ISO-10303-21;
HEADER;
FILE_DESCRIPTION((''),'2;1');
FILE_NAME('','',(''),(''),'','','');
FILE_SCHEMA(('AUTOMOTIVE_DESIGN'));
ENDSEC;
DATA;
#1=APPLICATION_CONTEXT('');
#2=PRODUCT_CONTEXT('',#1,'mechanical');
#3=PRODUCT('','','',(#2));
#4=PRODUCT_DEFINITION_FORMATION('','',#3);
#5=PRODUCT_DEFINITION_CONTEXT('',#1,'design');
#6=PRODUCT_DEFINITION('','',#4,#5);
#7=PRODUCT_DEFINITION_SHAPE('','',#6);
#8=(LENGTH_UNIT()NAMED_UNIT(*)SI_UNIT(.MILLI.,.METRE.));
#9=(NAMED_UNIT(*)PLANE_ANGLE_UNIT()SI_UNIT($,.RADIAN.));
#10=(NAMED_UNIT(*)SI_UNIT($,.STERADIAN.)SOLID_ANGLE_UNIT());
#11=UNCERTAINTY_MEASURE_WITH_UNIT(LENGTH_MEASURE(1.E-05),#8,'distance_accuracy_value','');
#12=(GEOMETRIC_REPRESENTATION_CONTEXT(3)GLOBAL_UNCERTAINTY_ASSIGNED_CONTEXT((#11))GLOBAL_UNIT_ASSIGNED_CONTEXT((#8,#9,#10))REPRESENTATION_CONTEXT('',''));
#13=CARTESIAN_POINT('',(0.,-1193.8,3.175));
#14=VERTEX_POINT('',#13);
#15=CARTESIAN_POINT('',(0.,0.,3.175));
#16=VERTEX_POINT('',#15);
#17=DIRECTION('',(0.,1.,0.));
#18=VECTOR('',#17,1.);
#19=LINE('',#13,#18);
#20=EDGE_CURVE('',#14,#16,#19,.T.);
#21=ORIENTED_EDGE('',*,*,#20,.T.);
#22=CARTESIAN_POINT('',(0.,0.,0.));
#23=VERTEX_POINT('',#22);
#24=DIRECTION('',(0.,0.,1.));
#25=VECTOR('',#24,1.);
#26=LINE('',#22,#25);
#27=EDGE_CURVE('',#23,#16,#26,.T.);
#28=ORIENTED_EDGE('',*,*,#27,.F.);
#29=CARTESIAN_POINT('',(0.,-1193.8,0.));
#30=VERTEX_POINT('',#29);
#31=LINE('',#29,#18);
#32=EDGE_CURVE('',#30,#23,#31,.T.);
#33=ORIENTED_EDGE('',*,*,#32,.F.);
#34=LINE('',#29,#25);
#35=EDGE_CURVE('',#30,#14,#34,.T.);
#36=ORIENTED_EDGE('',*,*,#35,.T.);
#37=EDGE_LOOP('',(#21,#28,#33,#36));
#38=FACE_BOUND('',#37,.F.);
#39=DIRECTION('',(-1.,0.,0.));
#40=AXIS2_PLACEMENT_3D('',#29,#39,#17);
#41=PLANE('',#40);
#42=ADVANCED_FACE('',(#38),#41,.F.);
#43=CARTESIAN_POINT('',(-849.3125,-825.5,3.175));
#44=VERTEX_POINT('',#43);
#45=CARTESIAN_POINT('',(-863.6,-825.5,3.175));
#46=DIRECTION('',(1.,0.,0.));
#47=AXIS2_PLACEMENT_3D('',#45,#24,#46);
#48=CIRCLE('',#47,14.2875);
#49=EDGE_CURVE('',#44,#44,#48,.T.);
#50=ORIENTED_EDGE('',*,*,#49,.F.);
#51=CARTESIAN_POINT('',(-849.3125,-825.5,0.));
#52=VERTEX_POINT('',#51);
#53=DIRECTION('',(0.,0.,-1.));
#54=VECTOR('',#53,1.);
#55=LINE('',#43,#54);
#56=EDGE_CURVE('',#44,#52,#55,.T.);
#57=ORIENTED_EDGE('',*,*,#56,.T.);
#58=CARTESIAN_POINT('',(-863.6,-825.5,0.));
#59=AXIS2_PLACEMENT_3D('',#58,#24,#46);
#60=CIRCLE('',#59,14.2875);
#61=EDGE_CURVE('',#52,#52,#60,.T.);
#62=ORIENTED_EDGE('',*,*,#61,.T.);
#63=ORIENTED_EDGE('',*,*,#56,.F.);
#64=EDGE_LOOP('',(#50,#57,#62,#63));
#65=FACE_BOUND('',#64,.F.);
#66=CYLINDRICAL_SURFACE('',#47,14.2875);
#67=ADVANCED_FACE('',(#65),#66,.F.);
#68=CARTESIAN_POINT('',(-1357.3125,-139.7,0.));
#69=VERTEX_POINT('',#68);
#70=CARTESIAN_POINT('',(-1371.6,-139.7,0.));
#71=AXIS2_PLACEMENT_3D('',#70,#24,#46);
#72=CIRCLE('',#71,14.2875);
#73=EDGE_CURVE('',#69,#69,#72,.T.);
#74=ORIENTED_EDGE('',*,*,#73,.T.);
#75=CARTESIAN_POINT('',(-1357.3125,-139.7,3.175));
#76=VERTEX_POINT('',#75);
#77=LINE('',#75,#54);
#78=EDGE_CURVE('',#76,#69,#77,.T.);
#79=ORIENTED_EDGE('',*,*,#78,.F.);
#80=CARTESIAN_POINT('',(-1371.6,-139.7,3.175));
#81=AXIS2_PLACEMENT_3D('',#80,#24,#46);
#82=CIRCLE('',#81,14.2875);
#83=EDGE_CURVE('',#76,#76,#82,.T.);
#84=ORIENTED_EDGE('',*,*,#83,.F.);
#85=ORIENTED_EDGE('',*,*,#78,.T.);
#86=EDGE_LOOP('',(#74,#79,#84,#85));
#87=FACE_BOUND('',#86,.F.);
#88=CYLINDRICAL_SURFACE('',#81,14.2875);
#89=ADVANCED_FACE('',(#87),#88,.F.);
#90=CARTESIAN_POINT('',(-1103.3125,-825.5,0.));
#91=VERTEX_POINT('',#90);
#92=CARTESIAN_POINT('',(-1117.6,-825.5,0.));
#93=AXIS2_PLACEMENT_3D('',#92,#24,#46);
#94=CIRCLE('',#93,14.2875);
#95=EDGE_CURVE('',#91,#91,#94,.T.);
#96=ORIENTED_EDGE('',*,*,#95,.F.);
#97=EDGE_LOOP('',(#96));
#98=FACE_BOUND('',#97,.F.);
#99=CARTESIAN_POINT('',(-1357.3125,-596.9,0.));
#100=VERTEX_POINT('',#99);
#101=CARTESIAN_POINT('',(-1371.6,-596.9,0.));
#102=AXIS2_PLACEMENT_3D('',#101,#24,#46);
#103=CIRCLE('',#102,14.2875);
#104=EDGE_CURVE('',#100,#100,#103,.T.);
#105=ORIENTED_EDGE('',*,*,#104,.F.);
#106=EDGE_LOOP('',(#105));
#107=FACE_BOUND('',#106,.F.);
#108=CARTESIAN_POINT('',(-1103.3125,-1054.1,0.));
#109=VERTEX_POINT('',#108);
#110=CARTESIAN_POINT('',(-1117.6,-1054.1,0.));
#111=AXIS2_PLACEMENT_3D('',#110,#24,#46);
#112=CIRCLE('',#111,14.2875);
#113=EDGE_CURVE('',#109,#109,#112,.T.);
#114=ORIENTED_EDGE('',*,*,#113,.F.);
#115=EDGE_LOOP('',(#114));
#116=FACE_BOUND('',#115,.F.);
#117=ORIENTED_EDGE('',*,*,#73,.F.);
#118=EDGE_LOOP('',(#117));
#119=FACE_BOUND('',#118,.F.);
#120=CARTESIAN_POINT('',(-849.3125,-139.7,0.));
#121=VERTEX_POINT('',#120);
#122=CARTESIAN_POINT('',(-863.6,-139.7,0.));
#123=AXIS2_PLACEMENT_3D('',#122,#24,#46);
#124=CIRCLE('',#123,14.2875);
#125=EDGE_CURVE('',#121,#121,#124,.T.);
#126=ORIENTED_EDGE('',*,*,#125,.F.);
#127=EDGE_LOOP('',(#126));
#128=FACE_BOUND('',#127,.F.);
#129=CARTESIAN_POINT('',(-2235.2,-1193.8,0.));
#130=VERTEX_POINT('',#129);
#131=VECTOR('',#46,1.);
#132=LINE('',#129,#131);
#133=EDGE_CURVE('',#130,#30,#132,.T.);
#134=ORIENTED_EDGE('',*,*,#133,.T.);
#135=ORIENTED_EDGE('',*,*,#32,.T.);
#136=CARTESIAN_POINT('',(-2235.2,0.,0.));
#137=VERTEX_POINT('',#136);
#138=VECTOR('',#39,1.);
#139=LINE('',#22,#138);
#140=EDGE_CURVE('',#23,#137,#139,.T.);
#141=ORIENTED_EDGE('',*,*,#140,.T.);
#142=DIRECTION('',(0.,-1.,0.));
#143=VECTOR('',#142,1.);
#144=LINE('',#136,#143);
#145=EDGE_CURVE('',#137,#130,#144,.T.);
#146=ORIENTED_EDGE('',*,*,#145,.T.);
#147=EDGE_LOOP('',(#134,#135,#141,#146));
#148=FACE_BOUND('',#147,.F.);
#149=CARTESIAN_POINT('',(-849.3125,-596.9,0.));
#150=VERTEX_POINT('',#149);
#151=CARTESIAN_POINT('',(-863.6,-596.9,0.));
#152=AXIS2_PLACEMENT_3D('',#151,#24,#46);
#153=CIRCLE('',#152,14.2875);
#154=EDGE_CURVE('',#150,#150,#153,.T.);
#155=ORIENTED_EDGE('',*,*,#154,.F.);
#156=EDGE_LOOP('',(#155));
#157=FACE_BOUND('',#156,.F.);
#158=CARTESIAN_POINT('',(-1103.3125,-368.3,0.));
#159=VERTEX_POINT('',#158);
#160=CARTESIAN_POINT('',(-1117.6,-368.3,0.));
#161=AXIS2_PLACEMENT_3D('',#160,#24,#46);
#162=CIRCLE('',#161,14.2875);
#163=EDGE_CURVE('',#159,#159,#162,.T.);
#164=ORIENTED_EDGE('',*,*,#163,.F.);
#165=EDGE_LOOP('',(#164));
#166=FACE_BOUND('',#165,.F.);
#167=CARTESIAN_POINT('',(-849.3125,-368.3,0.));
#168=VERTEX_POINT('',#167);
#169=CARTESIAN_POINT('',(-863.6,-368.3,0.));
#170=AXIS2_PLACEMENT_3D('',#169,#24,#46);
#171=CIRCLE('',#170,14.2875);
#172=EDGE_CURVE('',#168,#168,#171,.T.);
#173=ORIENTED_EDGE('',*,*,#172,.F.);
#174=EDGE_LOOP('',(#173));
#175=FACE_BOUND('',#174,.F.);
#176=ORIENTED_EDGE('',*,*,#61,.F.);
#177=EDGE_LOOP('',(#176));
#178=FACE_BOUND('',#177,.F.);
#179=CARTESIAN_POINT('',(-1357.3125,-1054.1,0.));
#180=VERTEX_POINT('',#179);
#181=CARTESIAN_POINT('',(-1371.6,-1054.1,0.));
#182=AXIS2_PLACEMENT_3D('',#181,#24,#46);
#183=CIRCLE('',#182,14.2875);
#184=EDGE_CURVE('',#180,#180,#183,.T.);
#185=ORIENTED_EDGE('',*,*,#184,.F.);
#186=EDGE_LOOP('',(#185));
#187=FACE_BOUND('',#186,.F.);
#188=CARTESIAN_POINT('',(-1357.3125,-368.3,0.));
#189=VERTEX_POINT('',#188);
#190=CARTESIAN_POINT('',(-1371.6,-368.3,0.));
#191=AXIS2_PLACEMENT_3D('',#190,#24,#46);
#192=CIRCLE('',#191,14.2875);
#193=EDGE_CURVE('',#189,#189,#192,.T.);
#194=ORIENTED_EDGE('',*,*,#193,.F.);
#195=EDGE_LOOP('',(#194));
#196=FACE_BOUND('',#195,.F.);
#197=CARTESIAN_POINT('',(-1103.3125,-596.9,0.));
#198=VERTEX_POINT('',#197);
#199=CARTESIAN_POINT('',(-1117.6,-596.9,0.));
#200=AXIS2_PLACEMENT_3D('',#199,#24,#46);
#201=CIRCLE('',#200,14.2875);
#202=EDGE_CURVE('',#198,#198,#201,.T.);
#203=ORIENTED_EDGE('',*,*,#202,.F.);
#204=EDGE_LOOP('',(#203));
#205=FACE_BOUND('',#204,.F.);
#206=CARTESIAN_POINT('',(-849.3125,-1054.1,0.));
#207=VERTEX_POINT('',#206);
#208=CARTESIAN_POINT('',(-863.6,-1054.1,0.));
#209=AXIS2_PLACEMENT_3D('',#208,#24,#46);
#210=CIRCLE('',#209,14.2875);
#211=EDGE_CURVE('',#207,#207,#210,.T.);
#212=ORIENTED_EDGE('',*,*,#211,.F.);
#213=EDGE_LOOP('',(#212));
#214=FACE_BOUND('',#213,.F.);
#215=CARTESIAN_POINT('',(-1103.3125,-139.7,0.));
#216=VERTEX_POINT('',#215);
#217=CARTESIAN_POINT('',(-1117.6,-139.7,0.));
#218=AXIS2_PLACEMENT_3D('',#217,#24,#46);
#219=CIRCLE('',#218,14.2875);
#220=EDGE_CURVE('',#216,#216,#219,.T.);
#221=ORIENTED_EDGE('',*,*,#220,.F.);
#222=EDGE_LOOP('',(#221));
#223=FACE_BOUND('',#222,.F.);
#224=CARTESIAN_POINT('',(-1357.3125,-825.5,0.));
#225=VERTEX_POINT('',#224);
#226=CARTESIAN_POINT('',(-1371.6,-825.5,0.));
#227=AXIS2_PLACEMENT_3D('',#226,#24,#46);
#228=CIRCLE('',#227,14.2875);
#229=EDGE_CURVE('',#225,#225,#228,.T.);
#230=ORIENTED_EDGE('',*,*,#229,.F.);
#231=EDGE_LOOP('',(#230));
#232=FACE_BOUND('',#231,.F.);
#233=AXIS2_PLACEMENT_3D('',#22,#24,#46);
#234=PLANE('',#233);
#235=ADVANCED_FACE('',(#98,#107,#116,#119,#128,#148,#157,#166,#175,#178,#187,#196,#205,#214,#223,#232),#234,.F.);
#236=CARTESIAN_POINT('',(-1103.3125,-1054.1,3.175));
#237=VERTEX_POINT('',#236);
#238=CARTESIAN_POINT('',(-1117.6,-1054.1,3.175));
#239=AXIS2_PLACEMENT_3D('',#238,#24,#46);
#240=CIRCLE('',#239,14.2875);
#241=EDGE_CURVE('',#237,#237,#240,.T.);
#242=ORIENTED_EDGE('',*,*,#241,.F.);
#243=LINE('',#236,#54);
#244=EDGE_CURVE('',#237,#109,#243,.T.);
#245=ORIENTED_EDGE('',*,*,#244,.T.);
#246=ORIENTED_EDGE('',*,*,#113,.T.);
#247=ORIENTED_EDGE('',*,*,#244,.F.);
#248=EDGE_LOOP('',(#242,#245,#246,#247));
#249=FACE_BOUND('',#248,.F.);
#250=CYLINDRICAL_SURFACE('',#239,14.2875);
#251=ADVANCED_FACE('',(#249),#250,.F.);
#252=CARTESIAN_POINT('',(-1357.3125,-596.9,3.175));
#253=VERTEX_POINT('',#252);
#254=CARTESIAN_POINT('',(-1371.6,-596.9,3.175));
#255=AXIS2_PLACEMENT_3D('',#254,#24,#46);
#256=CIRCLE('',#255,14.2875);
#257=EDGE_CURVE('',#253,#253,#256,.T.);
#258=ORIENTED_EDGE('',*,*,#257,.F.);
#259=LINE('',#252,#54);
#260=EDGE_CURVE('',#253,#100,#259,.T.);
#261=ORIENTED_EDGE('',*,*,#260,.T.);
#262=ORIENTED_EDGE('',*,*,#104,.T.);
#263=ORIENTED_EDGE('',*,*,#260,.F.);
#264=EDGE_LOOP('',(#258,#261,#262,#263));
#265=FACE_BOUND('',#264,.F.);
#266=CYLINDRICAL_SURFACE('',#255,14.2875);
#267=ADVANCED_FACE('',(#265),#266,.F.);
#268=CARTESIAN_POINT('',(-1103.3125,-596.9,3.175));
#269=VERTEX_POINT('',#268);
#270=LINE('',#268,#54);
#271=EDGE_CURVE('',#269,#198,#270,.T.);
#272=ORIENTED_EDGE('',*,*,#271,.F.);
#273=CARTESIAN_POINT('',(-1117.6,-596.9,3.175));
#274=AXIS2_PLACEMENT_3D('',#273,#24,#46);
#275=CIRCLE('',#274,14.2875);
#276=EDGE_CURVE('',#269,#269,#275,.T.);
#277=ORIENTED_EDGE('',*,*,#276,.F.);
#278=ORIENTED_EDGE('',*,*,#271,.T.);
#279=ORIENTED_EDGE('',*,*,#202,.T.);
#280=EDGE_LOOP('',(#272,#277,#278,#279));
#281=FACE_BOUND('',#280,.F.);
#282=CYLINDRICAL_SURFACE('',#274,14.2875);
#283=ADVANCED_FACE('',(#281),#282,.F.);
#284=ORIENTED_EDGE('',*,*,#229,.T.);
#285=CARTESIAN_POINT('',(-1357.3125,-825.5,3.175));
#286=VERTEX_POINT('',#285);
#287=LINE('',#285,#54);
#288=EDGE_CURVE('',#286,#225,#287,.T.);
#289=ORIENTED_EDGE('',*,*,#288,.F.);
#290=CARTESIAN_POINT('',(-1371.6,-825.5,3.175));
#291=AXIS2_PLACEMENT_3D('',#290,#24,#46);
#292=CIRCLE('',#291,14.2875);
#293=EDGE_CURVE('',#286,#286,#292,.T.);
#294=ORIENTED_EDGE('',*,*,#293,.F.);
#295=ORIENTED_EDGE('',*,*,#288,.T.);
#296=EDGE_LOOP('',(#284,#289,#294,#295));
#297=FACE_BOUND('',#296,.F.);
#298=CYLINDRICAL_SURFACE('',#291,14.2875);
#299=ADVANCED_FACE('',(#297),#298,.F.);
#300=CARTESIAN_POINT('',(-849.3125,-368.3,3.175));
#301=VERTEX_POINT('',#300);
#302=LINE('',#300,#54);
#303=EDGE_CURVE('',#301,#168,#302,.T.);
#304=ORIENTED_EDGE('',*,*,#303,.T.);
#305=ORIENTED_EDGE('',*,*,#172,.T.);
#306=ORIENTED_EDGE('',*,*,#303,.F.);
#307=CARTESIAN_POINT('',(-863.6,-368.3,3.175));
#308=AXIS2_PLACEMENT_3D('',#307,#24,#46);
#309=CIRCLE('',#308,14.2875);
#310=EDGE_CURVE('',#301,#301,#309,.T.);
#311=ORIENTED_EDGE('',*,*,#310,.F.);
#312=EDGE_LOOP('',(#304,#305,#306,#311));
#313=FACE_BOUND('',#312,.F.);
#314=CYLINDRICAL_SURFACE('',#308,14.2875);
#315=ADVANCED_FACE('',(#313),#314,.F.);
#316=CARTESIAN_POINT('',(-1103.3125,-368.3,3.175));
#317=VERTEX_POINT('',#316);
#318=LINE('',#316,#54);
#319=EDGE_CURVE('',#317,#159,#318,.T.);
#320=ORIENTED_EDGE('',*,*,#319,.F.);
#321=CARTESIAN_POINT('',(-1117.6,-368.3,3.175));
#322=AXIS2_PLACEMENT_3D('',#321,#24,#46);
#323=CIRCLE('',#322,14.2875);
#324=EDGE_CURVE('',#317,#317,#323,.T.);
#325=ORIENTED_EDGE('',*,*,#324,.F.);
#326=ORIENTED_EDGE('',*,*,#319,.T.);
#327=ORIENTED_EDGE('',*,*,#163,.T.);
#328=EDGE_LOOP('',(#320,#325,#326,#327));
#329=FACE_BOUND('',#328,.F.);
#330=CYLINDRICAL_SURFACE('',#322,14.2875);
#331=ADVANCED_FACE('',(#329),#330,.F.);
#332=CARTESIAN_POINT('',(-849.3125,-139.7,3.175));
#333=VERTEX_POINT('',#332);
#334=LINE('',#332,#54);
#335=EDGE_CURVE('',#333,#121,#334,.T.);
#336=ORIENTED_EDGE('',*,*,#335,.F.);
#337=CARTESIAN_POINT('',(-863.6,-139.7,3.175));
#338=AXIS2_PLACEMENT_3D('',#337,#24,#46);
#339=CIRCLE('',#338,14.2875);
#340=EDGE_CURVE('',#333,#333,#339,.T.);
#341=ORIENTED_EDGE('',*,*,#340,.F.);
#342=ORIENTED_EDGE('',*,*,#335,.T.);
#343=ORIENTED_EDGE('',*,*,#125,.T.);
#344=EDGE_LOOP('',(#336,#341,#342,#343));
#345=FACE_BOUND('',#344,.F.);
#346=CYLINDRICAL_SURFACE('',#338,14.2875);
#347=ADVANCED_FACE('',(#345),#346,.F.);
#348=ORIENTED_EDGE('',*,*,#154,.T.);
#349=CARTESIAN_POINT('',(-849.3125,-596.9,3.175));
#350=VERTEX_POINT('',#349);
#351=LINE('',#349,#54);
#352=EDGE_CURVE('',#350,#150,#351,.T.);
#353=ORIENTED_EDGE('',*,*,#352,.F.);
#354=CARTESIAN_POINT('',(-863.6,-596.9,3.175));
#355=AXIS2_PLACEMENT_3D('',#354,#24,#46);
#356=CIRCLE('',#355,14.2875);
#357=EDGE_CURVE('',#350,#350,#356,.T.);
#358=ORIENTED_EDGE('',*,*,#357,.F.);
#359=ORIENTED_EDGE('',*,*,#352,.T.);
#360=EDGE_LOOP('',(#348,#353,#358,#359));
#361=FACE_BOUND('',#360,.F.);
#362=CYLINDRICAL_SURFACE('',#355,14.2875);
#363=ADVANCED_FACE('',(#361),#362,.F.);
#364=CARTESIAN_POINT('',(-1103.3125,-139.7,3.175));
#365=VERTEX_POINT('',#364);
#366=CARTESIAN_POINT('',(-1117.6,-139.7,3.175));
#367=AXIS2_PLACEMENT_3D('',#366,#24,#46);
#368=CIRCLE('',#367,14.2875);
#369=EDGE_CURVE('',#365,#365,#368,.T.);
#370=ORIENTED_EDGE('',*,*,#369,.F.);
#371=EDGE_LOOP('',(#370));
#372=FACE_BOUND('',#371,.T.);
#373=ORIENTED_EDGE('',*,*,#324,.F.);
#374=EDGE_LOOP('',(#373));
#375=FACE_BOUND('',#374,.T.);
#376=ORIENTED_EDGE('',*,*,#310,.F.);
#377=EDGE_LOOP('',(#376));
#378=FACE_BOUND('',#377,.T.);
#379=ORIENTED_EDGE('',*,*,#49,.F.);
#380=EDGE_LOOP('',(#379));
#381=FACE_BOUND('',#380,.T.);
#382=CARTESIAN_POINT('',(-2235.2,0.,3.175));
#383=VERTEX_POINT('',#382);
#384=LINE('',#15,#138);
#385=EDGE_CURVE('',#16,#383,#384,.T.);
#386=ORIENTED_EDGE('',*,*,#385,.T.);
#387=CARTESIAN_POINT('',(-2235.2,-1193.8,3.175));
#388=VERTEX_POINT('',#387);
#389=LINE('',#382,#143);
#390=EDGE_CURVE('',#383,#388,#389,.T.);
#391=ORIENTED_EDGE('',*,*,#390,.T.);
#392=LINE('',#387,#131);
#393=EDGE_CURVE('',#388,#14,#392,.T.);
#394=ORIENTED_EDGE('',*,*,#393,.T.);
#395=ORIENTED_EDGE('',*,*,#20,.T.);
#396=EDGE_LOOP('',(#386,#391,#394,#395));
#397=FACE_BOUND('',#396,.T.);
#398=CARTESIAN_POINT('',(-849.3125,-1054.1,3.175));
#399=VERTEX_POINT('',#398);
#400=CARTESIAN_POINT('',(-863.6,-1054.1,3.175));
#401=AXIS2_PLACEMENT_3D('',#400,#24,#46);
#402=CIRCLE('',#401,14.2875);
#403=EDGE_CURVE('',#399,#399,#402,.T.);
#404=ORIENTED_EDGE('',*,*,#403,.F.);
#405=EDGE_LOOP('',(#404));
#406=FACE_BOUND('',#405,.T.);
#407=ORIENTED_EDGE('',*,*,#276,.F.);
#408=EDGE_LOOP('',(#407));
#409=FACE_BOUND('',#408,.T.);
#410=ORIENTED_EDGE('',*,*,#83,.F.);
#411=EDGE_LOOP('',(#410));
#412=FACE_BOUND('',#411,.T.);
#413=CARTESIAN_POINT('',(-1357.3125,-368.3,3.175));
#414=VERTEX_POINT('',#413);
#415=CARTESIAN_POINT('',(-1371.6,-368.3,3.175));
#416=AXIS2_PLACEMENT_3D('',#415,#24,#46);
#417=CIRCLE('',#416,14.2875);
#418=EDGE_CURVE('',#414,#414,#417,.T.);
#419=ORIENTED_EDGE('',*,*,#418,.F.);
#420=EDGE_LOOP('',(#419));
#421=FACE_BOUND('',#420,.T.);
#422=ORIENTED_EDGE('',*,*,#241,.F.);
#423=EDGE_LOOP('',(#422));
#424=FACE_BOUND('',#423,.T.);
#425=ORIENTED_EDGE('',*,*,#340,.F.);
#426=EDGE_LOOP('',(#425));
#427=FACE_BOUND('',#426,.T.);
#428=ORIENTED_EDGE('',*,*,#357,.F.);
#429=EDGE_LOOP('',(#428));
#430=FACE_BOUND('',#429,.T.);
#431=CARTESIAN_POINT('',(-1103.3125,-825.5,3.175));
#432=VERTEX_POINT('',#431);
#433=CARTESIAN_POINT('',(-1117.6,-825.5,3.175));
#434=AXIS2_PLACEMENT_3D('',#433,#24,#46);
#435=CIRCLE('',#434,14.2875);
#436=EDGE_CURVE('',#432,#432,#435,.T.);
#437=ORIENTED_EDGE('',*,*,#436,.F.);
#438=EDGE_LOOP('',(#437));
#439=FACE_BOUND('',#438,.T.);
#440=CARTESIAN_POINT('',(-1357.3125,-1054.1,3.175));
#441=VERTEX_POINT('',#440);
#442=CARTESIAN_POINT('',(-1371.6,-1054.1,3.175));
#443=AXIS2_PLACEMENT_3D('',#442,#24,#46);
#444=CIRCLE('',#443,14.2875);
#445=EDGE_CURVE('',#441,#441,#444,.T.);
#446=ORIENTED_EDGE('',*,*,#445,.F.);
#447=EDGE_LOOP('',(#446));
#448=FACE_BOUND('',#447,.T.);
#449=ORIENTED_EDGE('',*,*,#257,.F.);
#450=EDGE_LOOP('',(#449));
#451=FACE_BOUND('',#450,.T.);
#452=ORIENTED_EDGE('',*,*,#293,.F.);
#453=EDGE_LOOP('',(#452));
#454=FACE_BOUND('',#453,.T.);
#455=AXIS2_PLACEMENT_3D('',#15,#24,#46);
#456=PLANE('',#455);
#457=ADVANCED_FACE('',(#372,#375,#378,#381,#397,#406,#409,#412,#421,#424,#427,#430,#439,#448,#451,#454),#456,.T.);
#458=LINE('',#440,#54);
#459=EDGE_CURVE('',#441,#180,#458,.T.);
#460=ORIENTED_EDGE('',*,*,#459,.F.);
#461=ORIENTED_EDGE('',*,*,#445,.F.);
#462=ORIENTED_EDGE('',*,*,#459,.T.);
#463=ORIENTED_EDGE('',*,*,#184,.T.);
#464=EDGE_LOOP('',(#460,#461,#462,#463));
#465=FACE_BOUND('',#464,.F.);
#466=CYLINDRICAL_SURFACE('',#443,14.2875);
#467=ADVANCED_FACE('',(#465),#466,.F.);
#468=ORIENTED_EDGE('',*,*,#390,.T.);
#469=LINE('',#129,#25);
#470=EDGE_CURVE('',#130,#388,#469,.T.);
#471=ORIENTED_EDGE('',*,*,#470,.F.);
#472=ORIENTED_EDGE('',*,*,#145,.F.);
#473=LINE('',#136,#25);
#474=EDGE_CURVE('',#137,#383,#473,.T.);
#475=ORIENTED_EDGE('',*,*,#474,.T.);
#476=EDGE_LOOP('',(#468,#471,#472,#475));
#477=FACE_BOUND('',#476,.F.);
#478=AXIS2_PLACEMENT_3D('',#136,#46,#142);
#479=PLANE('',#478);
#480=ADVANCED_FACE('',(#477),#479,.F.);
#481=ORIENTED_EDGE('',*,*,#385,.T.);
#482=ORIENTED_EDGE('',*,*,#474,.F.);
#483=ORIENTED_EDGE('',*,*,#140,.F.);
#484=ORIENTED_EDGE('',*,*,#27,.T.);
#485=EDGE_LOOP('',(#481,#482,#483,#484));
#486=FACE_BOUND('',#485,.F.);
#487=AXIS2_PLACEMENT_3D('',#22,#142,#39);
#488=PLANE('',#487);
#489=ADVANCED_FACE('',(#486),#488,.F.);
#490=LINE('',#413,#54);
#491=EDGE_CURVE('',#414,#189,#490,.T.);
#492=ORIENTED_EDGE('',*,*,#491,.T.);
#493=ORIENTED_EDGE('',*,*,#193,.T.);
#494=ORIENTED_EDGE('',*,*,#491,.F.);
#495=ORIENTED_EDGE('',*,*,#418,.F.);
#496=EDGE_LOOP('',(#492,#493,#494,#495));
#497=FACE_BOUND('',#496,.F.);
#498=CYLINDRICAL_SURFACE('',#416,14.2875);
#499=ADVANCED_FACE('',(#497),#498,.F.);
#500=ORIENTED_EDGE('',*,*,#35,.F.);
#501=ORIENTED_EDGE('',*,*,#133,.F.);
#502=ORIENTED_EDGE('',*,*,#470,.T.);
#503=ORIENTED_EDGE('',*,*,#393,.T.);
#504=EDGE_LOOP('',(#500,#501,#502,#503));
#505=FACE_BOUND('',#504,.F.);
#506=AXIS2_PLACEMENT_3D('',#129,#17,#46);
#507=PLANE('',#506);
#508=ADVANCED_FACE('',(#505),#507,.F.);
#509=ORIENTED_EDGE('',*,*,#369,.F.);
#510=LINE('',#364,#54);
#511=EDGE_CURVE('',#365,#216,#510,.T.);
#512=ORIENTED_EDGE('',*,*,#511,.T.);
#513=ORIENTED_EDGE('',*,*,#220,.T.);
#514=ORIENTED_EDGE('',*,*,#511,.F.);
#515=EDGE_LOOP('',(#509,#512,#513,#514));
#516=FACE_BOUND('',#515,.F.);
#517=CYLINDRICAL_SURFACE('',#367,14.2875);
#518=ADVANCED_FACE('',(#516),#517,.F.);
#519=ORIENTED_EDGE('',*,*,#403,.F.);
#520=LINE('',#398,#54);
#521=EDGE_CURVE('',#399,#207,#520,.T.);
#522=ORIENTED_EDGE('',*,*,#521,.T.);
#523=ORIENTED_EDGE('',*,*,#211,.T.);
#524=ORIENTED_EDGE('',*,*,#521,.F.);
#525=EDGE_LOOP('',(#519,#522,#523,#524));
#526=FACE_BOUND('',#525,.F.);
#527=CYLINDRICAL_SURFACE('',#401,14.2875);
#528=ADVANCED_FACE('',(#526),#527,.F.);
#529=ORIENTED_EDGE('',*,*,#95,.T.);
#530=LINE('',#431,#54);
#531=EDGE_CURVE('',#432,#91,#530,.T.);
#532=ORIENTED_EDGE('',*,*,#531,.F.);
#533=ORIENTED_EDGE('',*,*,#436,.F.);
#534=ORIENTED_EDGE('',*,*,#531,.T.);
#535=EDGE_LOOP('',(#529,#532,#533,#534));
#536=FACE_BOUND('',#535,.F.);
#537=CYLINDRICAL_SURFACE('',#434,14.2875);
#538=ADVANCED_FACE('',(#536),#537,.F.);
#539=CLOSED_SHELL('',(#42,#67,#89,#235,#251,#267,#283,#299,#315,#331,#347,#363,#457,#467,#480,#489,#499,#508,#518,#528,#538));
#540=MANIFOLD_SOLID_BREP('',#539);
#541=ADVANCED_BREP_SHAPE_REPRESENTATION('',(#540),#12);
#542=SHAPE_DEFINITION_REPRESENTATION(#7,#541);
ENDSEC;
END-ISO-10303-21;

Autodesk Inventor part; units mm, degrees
ref_plane "YZ Plane" through (0, 0, 0) normal (1, 0, 0) x (0, 1, 0)
ref_plane "XZ Plane" through (0, 0, 0) normal (0, 1, 0) x (-1, 0, 0)
ref_plane "XY Plane" through (0, 0, 0) normal (0, 0, 1) x (1, 0, 0)
sketch "Sketch1" plane through (0, 0, 0) normal (0, 0, 1) x (1, 0, 0)
  line L0 (0, 0) -> (-2235.2, 0)
  line L1 (-2235.2, 0) -> (-2235.2, -1193.8)
  line L2 (-2235.2, -1193.8) -> (0, -1193.8)
  line L3 (0, -1193.8) -> (0, 0)
  dimension "d0" = 2235.2
  dimension "d1" = 1193.8
extrude "Extrusion1" add sketch "Sketch1" along normal blind 3.175
sketch "Sketch2" plane through (0, 0, 3.175) normal (0, 0, 1) x (1, 0, 0)
  line L0 (-2235.2, 0) -> (0, 0) projected
  line L1 (-2235.2, -1193.8) -> (-2235.2, 0) projected
  circle A0 centre (-1117.6, -139.7) radius 14.2875
  circle A1 centre (-1117.6, -139.7) radius 101.6
  circle A2 centre (-1117.6, -368.3) radius 14.2875
  circle A3 centre (-1117.6, -368.3) radius 101.6
  circle A4 centre (-1117.6, -596.9) radius 14.2875
  circle A5 centre (-1117.6, -596.9) radius 101.6
  circle A6 centre (-1117.6, -825.5) radius 14.2875
  circle A7 centre (-1117.6, -825.5) radius 101.6
  circle A8 centre (-1117.6, -1054.1) radius 14.2875
  circle A9 centre (-1117.6, -1054.1) radius 101.6
  dimension "d4" = 28.575
  dimension "d5" = 203.2
  dimension "d6" = 1117.6
  dimension "d11" = 139.7
  dimension "d14" = 228.6
extrude "Extrusion2" cut sketch "Sketch2" against normal blind 3.175 contours A0 | A2 | A4 | A6 | A8
pattern_linear "Rectangular Pattern1" count 2 spacing 254 along (1, 0, 0) of "Extrusion2"
pattern_linear "Rectangular Pattern2" count 2 spacing 254 along (-1, 0, 0) of "Extrusion2"
properties part number "GE-12095"
